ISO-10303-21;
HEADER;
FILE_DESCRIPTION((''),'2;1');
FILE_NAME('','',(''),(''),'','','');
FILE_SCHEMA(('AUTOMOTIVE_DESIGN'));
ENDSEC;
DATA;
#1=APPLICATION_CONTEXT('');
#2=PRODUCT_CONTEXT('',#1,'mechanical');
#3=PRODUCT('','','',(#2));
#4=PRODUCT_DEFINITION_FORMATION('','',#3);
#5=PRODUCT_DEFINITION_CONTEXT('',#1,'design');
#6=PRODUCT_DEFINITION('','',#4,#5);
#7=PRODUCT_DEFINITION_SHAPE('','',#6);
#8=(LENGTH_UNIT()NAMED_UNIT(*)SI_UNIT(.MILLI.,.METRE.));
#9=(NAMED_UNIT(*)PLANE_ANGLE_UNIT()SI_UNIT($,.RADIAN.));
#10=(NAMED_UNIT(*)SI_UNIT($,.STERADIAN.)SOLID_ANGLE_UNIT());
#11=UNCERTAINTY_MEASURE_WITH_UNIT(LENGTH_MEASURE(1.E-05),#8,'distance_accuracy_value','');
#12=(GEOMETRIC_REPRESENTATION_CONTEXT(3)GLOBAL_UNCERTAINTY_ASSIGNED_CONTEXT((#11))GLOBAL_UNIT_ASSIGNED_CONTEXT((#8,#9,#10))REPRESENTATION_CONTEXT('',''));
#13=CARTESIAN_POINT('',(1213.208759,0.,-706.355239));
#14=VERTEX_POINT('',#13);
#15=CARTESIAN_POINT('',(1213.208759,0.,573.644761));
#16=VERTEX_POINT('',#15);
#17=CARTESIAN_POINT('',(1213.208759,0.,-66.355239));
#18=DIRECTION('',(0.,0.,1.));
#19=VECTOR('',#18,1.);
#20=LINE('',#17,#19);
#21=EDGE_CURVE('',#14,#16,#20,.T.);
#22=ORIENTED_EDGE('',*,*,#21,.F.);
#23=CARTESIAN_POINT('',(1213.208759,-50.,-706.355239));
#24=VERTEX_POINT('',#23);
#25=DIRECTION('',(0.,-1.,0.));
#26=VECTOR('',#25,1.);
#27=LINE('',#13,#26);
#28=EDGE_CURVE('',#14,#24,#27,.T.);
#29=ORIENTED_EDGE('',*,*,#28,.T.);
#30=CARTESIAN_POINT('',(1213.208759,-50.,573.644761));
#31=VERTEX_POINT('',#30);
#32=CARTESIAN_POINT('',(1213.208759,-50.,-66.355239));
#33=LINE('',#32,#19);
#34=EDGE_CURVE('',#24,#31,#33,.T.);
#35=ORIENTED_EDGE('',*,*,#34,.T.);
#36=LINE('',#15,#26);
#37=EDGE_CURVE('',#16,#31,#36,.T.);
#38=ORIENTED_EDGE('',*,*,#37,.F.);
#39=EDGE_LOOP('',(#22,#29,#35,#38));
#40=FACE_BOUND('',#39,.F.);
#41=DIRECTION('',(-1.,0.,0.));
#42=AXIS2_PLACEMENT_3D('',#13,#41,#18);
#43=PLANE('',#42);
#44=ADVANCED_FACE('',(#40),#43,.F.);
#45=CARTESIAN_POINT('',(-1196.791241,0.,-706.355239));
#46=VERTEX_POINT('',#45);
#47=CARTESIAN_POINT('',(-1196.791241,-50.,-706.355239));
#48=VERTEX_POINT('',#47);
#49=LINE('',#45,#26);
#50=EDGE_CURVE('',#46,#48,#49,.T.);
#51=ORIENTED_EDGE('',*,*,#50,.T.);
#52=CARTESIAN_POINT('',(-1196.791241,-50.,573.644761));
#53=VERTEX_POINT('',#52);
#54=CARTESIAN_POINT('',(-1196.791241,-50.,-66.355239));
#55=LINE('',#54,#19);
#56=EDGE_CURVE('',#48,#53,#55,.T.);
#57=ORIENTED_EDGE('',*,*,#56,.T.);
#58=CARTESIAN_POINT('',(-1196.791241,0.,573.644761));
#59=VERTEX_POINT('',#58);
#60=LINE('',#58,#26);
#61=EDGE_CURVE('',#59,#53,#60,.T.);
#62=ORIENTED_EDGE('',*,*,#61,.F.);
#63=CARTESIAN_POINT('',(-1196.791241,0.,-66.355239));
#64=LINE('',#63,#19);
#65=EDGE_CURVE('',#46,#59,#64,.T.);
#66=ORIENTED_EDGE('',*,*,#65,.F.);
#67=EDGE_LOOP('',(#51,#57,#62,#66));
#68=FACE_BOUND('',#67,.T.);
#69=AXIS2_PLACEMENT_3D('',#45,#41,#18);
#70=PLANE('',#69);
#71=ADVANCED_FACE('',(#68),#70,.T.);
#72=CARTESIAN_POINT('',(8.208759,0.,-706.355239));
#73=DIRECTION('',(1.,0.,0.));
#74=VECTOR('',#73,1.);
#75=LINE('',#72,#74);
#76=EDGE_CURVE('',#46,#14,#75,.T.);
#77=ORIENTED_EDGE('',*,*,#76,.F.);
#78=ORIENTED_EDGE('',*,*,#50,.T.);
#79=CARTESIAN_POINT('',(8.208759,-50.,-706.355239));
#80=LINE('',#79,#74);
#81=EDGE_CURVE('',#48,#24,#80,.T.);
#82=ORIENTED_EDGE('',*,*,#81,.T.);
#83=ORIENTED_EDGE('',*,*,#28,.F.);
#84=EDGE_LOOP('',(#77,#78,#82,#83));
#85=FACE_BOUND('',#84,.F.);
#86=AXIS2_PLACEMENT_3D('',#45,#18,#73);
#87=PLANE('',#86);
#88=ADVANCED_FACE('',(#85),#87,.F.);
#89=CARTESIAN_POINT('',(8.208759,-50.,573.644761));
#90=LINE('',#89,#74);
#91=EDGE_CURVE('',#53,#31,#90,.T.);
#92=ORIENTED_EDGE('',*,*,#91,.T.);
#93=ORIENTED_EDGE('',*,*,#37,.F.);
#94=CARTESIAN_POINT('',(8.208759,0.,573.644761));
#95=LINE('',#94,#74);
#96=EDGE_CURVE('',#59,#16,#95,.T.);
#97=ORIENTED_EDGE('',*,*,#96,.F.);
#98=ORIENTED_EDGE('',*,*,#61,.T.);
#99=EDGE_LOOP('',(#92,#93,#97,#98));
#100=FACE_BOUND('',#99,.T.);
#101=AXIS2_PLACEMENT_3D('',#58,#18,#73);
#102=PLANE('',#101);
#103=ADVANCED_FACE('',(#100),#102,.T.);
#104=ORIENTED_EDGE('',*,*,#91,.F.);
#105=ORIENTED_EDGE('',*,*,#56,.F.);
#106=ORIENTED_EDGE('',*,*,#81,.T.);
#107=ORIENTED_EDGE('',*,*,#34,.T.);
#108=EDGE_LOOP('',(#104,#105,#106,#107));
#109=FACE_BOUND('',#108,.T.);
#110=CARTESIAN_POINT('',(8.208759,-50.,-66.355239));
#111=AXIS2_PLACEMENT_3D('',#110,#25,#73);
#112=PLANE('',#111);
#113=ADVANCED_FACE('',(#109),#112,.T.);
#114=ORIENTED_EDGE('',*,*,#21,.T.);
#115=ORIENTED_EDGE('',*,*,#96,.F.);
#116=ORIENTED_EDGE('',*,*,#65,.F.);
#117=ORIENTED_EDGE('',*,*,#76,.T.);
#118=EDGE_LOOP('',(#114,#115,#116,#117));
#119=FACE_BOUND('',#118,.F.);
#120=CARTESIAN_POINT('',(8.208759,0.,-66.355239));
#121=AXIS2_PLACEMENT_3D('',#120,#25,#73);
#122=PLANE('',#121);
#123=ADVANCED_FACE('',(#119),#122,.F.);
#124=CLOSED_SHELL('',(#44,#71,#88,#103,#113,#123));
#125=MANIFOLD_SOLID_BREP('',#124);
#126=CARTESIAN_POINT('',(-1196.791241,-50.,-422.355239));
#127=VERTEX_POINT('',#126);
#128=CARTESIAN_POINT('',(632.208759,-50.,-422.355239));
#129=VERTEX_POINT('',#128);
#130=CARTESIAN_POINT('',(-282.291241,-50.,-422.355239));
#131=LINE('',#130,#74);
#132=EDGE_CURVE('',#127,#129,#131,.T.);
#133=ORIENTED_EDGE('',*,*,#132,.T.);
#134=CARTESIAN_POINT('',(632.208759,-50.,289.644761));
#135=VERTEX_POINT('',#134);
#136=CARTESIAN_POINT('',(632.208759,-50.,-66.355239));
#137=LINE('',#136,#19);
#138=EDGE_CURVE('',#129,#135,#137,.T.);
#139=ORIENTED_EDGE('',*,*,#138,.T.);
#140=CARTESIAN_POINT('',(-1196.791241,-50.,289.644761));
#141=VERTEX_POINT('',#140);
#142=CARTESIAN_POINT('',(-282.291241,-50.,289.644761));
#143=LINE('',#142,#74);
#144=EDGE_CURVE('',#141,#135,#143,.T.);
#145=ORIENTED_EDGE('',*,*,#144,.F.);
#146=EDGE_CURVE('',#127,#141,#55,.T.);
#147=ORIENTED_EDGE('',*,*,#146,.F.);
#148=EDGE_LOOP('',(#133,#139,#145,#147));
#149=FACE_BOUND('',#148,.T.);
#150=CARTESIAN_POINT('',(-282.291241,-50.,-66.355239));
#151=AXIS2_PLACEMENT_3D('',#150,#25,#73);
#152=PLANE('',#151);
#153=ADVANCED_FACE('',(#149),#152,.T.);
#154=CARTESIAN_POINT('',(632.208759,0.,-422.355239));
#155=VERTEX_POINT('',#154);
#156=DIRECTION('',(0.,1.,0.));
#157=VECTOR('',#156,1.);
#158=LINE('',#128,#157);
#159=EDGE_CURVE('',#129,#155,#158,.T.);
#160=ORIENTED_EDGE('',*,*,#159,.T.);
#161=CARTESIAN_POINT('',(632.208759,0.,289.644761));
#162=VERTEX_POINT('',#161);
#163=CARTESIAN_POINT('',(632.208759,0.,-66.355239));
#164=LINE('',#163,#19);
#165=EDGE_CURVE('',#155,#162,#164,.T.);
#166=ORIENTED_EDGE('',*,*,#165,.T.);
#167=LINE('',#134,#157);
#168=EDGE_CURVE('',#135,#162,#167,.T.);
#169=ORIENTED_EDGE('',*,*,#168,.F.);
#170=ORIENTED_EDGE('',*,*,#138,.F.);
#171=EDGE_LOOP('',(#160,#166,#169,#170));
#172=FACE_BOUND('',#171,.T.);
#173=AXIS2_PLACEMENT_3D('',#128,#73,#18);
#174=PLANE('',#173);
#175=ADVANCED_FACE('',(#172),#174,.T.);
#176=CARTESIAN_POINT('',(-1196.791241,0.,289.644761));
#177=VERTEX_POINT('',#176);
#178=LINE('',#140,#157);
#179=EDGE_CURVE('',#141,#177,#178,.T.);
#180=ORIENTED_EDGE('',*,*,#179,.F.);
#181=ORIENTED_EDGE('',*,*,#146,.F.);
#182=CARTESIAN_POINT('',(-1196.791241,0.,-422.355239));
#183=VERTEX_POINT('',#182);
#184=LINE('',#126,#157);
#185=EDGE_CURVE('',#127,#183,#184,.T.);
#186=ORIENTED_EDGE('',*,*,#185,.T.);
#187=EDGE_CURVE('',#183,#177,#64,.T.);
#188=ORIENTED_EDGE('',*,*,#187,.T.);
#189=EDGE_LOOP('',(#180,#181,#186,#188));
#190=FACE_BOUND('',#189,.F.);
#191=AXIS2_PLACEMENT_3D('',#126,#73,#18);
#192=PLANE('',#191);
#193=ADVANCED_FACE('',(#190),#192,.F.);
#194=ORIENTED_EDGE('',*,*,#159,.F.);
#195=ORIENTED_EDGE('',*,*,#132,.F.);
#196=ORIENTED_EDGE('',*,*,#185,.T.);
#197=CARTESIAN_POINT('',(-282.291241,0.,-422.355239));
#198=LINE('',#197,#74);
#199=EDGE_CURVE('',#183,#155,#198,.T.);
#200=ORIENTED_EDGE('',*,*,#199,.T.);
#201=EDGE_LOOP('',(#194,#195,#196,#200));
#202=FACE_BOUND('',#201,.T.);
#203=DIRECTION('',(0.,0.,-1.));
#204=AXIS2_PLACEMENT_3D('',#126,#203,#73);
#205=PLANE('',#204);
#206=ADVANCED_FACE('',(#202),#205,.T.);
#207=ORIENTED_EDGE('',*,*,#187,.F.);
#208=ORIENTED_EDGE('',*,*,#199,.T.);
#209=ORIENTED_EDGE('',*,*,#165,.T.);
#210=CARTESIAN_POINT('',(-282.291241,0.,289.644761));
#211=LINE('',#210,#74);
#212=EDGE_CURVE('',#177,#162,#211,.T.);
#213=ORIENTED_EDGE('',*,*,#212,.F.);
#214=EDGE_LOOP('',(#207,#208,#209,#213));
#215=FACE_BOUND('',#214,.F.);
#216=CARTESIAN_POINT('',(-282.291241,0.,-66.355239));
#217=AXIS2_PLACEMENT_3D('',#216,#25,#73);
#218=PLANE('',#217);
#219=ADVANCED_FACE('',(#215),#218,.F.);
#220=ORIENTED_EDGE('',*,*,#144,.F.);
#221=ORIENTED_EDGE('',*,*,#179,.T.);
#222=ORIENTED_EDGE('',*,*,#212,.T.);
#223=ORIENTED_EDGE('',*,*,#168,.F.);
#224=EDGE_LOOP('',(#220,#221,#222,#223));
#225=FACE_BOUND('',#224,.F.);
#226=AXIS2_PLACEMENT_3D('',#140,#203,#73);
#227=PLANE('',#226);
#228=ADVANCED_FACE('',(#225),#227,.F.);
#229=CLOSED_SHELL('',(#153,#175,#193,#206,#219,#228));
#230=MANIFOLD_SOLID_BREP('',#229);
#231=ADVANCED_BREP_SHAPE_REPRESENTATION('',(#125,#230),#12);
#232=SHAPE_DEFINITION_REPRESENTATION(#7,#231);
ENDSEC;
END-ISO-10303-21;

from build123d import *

# Parameters (mm, degrees)
F0_W     = 2410
F0_H     = 1280
F1_DEPTH = 50
F2_W     = 1829
F2_H     = 712
F3_DEPTH = 50


with BuildPart() as f1:
    # F0 (on Front) → F1 (new body)
    with BuildSketch(Plane.XZ):
        with Locations((8.208759, -66.355239)):
            Rectangle(F0_W, F0_H)
    extrude(amount=F1_DEPTH)


with BuildPart() as f3:
    # F2 (on face) → F3 (new body)
    with BuildSketch(Plane.XZ.offset(50)):
        with Locations((-282.291241, -66.355239)):
            Rectangle(F2_W, F2_H)
    extrude(amount=-F3_DEPTH)


solid = Compound([f1.part, f3.part])
